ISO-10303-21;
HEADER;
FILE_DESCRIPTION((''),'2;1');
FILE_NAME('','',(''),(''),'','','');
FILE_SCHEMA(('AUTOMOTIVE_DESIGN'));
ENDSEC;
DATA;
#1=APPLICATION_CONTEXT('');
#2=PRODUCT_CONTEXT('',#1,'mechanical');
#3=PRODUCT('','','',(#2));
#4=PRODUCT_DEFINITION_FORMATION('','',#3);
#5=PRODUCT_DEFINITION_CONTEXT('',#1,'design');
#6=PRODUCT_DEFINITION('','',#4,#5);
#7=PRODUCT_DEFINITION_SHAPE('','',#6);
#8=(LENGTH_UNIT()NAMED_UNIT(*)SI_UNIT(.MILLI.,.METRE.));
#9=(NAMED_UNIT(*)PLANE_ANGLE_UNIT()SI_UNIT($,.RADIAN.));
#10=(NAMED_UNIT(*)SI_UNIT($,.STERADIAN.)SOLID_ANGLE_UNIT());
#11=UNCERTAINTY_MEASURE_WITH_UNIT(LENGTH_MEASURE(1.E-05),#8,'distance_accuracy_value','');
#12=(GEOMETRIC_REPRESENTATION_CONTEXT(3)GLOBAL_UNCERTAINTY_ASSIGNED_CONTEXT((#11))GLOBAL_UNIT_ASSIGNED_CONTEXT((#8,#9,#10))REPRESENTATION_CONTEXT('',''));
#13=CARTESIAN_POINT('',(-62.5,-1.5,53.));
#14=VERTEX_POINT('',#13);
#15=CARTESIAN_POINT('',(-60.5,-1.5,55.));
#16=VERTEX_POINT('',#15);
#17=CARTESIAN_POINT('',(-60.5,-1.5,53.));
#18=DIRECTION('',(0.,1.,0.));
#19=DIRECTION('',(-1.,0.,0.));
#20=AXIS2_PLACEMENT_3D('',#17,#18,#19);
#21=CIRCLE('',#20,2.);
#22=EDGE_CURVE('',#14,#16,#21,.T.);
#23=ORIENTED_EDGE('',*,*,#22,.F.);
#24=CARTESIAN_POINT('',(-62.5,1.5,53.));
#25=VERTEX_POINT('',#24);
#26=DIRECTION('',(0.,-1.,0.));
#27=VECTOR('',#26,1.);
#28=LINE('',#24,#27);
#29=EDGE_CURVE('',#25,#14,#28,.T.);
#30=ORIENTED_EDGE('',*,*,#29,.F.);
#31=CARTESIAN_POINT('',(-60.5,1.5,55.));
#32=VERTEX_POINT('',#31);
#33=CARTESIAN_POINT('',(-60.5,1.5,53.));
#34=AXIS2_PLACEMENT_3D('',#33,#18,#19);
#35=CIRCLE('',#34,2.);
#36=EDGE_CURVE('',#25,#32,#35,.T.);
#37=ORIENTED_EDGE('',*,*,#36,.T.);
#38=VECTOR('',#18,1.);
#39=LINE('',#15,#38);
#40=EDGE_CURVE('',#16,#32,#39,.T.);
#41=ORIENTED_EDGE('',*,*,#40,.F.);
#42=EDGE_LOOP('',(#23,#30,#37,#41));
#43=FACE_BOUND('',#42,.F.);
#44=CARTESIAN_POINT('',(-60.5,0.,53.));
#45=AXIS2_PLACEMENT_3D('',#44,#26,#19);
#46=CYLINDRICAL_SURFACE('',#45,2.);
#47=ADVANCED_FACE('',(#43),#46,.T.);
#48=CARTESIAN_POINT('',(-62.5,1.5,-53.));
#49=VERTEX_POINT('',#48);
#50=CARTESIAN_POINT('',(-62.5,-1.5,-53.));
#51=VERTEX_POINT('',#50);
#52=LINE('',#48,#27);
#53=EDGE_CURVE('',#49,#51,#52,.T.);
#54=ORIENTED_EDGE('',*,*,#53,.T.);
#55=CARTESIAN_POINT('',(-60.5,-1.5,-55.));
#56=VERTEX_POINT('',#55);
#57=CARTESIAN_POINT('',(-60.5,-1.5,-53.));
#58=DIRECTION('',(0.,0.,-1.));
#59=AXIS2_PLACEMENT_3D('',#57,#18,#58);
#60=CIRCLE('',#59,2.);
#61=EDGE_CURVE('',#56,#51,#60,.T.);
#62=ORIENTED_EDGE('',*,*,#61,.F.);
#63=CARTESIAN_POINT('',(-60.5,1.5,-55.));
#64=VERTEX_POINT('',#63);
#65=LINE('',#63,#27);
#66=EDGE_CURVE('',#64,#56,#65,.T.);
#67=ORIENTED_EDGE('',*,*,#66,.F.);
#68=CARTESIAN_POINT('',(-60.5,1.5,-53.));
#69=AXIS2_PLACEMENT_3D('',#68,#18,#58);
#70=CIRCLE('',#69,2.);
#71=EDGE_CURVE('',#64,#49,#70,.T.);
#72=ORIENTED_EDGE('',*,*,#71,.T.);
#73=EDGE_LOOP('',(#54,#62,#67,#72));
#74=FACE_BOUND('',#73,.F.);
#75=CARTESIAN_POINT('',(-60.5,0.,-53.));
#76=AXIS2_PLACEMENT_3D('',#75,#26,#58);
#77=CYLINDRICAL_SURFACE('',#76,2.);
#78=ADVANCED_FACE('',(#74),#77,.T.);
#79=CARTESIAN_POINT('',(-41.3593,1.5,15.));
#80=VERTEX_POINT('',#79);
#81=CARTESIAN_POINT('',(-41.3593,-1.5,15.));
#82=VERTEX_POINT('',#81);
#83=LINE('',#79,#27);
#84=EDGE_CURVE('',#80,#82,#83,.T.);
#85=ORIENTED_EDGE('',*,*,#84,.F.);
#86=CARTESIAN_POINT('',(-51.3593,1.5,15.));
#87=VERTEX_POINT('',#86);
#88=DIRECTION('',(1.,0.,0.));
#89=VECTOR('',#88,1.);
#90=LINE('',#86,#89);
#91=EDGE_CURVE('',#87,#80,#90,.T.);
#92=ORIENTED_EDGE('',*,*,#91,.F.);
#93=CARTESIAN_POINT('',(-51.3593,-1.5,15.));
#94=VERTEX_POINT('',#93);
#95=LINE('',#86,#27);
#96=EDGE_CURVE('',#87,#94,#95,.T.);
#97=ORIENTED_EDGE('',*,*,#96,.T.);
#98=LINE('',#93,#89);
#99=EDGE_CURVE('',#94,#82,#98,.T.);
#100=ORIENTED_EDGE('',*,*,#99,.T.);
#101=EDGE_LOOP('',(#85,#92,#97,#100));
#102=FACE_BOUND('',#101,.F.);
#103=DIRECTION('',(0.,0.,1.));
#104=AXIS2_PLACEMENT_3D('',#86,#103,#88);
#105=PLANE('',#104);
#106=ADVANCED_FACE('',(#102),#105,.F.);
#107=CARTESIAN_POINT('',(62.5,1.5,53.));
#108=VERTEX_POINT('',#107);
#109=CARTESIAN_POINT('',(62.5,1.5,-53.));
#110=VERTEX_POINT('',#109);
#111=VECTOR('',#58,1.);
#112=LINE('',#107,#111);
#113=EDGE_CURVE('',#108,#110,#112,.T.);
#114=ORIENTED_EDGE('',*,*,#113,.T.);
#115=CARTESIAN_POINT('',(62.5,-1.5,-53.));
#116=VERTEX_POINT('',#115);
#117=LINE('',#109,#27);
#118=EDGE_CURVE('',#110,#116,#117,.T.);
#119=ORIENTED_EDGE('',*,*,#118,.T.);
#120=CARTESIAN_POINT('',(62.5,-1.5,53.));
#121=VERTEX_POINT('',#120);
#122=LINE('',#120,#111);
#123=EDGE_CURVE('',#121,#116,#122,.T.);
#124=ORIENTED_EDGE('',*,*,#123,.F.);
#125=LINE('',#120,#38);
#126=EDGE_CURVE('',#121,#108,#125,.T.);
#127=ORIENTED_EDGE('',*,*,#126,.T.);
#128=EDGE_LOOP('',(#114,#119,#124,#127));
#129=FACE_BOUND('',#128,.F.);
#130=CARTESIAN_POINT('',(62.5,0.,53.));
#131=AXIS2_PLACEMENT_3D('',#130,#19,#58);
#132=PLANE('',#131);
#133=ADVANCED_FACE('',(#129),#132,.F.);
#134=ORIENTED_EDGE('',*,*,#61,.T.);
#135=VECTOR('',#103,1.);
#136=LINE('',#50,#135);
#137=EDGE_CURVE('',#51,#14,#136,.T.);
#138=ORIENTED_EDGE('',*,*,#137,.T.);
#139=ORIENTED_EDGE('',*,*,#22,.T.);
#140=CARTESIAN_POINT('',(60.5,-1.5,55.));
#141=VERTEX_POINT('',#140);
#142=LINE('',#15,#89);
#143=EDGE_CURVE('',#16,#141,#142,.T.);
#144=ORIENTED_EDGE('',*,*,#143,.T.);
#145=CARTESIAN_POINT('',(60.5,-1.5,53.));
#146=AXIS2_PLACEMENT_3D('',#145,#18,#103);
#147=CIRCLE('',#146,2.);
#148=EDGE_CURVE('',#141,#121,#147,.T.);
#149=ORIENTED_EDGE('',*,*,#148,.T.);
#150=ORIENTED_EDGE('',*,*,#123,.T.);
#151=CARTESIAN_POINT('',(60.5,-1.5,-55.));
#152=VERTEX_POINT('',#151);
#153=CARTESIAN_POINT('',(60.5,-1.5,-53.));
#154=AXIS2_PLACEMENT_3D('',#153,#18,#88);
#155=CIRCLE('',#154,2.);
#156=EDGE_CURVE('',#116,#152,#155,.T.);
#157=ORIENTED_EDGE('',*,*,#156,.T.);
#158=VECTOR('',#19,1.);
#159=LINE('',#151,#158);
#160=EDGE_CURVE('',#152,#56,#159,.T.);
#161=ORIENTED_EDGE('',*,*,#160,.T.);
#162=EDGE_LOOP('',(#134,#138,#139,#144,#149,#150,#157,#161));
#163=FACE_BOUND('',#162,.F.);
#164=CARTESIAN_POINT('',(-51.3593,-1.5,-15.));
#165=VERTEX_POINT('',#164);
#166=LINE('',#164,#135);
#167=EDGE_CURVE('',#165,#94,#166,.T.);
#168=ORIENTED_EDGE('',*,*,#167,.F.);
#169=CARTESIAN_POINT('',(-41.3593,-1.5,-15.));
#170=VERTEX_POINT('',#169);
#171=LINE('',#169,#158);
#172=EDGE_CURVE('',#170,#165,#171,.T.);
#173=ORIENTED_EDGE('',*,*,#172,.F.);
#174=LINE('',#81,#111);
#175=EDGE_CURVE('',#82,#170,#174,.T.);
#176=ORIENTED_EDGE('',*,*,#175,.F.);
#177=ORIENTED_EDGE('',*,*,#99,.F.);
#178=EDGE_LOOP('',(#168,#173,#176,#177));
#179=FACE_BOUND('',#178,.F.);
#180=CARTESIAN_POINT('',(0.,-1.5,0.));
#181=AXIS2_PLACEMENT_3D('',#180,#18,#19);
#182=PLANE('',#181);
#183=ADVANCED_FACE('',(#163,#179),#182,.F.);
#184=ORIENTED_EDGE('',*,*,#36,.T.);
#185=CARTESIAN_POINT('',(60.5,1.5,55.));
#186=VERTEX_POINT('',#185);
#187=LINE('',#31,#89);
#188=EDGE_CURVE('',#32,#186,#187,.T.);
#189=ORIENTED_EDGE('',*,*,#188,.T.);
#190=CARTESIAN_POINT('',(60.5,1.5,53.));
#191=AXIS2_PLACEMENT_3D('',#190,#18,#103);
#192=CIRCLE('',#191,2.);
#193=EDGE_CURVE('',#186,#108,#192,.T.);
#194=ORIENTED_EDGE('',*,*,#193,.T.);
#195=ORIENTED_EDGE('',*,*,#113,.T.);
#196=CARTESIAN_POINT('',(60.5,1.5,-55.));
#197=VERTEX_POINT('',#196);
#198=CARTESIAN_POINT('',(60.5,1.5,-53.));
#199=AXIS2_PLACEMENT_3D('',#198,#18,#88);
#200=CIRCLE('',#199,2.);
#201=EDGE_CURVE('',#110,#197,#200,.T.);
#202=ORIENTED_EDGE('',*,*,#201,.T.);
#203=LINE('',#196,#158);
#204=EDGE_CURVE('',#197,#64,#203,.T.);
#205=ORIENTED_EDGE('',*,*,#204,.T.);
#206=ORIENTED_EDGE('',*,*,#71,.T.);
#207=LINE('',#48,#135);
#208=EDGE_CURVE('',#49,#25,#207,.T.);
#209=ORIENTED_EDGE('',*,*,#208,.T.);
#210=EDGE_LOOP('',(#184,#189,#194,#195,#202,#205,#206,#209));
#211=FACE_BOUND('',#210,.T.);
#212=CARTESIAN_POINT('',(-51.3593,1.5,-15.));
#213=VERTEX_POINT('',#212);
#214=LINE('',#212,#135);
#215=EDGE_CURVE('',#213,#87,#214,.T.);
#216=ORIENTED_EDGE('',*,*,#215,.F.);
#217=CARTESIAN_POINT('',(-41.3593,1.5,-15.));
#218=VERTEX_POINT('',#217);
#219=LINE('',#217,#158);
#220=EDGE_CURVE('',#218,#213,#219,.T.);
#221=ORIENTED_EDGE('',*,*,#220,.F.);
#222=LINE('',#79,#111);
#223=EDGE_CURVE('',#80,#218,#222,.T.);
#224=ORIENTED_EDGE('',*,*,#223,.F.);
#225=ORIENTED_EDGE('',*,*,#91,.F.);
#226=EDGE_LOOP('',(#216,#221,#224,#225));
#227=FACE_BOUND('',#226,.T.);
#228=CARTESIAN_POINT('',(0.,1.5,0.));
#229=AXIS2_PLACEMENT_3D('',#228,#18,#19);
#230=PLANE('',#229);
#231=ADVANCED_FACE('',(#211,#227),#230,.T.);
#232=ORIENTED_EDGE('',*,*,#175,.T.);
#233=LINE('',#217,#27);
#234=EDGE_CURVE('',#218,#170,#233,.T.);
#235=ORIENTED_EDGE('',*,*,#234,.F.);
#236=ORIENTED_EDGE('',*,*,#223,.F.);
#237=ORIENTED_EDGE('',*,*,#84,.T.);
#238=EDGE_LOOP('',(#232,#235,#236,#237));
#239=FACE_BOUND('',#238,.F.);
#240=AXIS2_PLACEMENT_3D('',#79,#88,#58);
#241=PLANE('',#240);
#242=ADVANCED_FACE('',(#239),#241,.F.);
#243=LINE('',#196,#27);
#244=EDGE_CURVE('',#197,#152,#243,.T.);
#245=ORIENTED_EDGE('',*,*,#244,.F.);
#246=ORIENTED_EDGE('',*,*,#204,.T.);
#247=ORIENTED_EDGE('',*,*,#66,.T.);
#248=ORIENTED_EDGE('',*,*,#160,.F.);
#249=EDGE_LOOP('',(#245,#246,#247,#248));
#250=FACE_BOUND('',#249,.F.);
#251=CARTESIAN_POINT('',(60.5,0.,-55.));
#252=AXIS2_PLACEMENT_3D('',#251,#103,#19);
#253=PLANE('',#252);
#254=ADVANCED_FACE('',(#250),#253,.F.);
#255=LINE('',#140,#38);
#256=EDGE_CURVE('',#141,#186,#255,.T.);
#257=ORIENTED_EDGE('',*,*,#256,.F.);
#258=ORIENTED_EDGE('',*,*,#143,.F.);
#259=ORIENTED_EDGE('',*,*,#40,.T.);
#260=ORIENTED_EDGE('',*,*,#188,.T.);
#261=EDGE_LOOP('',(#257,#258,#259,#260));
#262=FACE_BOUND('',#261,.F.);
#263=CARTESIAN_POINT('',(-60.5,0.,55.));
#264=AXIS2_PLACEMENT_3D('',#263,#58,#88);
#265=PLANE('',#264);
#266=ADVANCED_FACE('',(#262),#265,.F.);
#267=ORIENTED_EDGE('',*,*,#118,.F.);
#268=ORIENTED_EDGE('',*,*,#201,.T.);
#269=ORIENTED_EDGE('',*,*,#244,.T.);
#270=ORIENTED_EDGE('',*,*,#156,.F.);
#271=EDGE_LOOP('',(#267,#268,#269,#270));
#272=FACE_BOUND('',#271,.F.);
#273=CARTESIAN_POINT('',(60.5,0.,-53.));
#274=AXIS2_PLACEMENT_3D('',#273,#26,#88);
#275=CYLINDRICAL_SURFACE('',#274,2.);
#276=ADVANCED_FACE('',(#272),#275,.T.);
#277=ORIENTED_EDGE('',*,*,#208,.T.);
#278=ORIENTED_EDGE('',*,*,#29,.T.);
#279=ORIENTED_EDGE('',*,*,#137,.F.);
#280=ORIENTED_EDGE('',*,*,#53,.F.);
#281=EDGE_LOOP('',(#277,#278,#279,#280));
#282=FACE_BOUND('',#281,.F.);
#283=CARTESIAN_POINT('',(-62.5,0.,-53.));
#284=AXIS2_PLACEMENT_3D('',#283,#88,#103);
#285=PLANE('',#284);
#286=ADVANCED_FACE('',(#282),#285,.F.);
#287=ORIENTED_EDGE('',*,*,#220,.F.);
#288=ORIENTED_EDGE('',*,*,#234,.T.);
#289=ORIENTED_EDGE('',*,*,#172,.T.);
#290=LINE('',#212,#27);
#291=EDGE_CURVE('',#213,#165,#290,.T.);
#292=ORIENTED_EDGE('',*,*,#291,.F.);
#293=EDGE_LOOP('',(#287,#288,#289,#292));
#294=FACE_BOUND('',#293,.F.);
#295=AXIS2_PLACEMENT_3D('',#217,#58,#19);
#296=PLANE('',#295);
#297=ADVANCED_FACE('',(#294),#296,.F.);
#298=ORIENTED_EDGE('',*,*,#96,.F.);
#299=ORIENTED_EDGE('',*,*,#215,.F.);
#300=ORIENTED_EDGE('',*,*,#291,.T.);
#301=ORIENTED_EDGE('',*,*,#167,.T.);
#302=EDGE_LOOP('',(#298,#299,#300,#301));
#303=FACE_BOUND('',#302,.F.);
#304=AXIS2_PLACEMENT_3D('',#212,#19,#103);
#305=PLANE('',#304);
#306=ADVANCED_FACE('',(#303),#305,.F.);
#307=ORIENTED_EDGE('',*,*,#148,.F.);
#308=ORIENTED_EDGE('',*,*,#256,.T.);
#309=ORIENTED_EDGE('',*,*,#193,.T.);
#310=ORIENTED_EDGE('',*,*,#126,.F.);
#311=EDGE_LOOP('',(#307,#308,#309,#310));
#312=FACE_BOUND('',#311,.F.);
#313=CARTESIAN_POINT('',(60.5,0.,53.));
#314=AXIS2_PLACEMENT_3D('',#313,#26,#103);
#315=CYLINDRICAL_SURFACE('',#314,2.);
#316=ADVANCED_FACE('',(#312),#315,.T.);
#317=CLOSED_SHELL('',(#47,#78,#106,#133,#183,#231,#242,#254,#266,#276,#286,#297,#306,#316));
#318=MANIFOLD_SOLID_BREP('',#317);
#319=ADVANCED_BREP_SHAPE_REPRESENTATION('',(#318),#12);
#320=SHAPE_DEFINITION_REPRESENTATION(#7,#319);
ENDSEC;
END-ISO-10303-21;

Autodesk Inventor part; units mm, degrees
ref_plane "YZ Plane" through (0, 0, 0) normal (1, 0, 0) x (0, 1, 0)
ref_plane "XZ Plane" through (0, 0, 0) normal (0, 1, 0) x (-1, 0, 0)
ref_plane "XY Plane" through (0, 0, 0) normal (0, 0, 1) x (1, 0, 0)
sketch "Sketch1" plane through (0, 0, 0) normal (0, 1, 0) x (-1, 0, 0)
  line L0 (60.5, 55) -> (-60.5, 55)
  line L1 (-62.5, 53) -> (-62.5, -53)
  line L2 (-60.5, -55) -> (60.5, -55)
  line L3 (62.5, -53) -> (62.5, 53)
  arc A0 (62.5, 53) -> (60.5, 55) centre (60.5, 53) ccw
  arc A1 (60.5, -55) -> (62.5, -53) centre (60.5, -53) ccw
  arc A2 (-62.5, -53) -> (-60.5, -55) centre (-60.5, -53) ccw
  arc A3 (-60.5, 55) -> (-62.5, 53) centre (-60.5, 53) ccw
  point P0 (0, 0)
extrude "Extrusion1" add sketch "Sketch1" along normal mid plane 3
sketch "Sketch2" plane through (0, 1.5, 0) normal (0, 1, 0) x (1, 0, 0)
  line L0 (8.4973, 37.5) -> (-31.5027, 37.5)
  line L1 (-31.5027, 37.5) -> (-31.5027, -37.5)
  line L2 (-31.5027, -37.5) -> (8.4973, -37.5)
  line L3 (8.4973, -37.5) -> (8.4973, 37.5)
  line L4 (8.4973, 37.5) -> (48.4973, 37.5)
  line L5 (48.4973, 37.5) -> (48.4973, -37.5)
  line L6 (48.4973, -37.5) -> (8.4973, -37.5)
  line L7 (-41.3593, 15) -> (-51.3593, 15)
  line L8 (-51.3593, 15) -> (-51.3593, -15)
  line L9 (-51.3593, -15) -> (-41.3593, -15)
  line L10 (-41.3593, -15) -> (-41.3593, 15)
  point P0 (0, 0)
extrude "Extrusion2" cut sketch "Sketch2" against normal blind 3 contours L10 L9 L8 L7
properties part number "PalingAtasFix"
